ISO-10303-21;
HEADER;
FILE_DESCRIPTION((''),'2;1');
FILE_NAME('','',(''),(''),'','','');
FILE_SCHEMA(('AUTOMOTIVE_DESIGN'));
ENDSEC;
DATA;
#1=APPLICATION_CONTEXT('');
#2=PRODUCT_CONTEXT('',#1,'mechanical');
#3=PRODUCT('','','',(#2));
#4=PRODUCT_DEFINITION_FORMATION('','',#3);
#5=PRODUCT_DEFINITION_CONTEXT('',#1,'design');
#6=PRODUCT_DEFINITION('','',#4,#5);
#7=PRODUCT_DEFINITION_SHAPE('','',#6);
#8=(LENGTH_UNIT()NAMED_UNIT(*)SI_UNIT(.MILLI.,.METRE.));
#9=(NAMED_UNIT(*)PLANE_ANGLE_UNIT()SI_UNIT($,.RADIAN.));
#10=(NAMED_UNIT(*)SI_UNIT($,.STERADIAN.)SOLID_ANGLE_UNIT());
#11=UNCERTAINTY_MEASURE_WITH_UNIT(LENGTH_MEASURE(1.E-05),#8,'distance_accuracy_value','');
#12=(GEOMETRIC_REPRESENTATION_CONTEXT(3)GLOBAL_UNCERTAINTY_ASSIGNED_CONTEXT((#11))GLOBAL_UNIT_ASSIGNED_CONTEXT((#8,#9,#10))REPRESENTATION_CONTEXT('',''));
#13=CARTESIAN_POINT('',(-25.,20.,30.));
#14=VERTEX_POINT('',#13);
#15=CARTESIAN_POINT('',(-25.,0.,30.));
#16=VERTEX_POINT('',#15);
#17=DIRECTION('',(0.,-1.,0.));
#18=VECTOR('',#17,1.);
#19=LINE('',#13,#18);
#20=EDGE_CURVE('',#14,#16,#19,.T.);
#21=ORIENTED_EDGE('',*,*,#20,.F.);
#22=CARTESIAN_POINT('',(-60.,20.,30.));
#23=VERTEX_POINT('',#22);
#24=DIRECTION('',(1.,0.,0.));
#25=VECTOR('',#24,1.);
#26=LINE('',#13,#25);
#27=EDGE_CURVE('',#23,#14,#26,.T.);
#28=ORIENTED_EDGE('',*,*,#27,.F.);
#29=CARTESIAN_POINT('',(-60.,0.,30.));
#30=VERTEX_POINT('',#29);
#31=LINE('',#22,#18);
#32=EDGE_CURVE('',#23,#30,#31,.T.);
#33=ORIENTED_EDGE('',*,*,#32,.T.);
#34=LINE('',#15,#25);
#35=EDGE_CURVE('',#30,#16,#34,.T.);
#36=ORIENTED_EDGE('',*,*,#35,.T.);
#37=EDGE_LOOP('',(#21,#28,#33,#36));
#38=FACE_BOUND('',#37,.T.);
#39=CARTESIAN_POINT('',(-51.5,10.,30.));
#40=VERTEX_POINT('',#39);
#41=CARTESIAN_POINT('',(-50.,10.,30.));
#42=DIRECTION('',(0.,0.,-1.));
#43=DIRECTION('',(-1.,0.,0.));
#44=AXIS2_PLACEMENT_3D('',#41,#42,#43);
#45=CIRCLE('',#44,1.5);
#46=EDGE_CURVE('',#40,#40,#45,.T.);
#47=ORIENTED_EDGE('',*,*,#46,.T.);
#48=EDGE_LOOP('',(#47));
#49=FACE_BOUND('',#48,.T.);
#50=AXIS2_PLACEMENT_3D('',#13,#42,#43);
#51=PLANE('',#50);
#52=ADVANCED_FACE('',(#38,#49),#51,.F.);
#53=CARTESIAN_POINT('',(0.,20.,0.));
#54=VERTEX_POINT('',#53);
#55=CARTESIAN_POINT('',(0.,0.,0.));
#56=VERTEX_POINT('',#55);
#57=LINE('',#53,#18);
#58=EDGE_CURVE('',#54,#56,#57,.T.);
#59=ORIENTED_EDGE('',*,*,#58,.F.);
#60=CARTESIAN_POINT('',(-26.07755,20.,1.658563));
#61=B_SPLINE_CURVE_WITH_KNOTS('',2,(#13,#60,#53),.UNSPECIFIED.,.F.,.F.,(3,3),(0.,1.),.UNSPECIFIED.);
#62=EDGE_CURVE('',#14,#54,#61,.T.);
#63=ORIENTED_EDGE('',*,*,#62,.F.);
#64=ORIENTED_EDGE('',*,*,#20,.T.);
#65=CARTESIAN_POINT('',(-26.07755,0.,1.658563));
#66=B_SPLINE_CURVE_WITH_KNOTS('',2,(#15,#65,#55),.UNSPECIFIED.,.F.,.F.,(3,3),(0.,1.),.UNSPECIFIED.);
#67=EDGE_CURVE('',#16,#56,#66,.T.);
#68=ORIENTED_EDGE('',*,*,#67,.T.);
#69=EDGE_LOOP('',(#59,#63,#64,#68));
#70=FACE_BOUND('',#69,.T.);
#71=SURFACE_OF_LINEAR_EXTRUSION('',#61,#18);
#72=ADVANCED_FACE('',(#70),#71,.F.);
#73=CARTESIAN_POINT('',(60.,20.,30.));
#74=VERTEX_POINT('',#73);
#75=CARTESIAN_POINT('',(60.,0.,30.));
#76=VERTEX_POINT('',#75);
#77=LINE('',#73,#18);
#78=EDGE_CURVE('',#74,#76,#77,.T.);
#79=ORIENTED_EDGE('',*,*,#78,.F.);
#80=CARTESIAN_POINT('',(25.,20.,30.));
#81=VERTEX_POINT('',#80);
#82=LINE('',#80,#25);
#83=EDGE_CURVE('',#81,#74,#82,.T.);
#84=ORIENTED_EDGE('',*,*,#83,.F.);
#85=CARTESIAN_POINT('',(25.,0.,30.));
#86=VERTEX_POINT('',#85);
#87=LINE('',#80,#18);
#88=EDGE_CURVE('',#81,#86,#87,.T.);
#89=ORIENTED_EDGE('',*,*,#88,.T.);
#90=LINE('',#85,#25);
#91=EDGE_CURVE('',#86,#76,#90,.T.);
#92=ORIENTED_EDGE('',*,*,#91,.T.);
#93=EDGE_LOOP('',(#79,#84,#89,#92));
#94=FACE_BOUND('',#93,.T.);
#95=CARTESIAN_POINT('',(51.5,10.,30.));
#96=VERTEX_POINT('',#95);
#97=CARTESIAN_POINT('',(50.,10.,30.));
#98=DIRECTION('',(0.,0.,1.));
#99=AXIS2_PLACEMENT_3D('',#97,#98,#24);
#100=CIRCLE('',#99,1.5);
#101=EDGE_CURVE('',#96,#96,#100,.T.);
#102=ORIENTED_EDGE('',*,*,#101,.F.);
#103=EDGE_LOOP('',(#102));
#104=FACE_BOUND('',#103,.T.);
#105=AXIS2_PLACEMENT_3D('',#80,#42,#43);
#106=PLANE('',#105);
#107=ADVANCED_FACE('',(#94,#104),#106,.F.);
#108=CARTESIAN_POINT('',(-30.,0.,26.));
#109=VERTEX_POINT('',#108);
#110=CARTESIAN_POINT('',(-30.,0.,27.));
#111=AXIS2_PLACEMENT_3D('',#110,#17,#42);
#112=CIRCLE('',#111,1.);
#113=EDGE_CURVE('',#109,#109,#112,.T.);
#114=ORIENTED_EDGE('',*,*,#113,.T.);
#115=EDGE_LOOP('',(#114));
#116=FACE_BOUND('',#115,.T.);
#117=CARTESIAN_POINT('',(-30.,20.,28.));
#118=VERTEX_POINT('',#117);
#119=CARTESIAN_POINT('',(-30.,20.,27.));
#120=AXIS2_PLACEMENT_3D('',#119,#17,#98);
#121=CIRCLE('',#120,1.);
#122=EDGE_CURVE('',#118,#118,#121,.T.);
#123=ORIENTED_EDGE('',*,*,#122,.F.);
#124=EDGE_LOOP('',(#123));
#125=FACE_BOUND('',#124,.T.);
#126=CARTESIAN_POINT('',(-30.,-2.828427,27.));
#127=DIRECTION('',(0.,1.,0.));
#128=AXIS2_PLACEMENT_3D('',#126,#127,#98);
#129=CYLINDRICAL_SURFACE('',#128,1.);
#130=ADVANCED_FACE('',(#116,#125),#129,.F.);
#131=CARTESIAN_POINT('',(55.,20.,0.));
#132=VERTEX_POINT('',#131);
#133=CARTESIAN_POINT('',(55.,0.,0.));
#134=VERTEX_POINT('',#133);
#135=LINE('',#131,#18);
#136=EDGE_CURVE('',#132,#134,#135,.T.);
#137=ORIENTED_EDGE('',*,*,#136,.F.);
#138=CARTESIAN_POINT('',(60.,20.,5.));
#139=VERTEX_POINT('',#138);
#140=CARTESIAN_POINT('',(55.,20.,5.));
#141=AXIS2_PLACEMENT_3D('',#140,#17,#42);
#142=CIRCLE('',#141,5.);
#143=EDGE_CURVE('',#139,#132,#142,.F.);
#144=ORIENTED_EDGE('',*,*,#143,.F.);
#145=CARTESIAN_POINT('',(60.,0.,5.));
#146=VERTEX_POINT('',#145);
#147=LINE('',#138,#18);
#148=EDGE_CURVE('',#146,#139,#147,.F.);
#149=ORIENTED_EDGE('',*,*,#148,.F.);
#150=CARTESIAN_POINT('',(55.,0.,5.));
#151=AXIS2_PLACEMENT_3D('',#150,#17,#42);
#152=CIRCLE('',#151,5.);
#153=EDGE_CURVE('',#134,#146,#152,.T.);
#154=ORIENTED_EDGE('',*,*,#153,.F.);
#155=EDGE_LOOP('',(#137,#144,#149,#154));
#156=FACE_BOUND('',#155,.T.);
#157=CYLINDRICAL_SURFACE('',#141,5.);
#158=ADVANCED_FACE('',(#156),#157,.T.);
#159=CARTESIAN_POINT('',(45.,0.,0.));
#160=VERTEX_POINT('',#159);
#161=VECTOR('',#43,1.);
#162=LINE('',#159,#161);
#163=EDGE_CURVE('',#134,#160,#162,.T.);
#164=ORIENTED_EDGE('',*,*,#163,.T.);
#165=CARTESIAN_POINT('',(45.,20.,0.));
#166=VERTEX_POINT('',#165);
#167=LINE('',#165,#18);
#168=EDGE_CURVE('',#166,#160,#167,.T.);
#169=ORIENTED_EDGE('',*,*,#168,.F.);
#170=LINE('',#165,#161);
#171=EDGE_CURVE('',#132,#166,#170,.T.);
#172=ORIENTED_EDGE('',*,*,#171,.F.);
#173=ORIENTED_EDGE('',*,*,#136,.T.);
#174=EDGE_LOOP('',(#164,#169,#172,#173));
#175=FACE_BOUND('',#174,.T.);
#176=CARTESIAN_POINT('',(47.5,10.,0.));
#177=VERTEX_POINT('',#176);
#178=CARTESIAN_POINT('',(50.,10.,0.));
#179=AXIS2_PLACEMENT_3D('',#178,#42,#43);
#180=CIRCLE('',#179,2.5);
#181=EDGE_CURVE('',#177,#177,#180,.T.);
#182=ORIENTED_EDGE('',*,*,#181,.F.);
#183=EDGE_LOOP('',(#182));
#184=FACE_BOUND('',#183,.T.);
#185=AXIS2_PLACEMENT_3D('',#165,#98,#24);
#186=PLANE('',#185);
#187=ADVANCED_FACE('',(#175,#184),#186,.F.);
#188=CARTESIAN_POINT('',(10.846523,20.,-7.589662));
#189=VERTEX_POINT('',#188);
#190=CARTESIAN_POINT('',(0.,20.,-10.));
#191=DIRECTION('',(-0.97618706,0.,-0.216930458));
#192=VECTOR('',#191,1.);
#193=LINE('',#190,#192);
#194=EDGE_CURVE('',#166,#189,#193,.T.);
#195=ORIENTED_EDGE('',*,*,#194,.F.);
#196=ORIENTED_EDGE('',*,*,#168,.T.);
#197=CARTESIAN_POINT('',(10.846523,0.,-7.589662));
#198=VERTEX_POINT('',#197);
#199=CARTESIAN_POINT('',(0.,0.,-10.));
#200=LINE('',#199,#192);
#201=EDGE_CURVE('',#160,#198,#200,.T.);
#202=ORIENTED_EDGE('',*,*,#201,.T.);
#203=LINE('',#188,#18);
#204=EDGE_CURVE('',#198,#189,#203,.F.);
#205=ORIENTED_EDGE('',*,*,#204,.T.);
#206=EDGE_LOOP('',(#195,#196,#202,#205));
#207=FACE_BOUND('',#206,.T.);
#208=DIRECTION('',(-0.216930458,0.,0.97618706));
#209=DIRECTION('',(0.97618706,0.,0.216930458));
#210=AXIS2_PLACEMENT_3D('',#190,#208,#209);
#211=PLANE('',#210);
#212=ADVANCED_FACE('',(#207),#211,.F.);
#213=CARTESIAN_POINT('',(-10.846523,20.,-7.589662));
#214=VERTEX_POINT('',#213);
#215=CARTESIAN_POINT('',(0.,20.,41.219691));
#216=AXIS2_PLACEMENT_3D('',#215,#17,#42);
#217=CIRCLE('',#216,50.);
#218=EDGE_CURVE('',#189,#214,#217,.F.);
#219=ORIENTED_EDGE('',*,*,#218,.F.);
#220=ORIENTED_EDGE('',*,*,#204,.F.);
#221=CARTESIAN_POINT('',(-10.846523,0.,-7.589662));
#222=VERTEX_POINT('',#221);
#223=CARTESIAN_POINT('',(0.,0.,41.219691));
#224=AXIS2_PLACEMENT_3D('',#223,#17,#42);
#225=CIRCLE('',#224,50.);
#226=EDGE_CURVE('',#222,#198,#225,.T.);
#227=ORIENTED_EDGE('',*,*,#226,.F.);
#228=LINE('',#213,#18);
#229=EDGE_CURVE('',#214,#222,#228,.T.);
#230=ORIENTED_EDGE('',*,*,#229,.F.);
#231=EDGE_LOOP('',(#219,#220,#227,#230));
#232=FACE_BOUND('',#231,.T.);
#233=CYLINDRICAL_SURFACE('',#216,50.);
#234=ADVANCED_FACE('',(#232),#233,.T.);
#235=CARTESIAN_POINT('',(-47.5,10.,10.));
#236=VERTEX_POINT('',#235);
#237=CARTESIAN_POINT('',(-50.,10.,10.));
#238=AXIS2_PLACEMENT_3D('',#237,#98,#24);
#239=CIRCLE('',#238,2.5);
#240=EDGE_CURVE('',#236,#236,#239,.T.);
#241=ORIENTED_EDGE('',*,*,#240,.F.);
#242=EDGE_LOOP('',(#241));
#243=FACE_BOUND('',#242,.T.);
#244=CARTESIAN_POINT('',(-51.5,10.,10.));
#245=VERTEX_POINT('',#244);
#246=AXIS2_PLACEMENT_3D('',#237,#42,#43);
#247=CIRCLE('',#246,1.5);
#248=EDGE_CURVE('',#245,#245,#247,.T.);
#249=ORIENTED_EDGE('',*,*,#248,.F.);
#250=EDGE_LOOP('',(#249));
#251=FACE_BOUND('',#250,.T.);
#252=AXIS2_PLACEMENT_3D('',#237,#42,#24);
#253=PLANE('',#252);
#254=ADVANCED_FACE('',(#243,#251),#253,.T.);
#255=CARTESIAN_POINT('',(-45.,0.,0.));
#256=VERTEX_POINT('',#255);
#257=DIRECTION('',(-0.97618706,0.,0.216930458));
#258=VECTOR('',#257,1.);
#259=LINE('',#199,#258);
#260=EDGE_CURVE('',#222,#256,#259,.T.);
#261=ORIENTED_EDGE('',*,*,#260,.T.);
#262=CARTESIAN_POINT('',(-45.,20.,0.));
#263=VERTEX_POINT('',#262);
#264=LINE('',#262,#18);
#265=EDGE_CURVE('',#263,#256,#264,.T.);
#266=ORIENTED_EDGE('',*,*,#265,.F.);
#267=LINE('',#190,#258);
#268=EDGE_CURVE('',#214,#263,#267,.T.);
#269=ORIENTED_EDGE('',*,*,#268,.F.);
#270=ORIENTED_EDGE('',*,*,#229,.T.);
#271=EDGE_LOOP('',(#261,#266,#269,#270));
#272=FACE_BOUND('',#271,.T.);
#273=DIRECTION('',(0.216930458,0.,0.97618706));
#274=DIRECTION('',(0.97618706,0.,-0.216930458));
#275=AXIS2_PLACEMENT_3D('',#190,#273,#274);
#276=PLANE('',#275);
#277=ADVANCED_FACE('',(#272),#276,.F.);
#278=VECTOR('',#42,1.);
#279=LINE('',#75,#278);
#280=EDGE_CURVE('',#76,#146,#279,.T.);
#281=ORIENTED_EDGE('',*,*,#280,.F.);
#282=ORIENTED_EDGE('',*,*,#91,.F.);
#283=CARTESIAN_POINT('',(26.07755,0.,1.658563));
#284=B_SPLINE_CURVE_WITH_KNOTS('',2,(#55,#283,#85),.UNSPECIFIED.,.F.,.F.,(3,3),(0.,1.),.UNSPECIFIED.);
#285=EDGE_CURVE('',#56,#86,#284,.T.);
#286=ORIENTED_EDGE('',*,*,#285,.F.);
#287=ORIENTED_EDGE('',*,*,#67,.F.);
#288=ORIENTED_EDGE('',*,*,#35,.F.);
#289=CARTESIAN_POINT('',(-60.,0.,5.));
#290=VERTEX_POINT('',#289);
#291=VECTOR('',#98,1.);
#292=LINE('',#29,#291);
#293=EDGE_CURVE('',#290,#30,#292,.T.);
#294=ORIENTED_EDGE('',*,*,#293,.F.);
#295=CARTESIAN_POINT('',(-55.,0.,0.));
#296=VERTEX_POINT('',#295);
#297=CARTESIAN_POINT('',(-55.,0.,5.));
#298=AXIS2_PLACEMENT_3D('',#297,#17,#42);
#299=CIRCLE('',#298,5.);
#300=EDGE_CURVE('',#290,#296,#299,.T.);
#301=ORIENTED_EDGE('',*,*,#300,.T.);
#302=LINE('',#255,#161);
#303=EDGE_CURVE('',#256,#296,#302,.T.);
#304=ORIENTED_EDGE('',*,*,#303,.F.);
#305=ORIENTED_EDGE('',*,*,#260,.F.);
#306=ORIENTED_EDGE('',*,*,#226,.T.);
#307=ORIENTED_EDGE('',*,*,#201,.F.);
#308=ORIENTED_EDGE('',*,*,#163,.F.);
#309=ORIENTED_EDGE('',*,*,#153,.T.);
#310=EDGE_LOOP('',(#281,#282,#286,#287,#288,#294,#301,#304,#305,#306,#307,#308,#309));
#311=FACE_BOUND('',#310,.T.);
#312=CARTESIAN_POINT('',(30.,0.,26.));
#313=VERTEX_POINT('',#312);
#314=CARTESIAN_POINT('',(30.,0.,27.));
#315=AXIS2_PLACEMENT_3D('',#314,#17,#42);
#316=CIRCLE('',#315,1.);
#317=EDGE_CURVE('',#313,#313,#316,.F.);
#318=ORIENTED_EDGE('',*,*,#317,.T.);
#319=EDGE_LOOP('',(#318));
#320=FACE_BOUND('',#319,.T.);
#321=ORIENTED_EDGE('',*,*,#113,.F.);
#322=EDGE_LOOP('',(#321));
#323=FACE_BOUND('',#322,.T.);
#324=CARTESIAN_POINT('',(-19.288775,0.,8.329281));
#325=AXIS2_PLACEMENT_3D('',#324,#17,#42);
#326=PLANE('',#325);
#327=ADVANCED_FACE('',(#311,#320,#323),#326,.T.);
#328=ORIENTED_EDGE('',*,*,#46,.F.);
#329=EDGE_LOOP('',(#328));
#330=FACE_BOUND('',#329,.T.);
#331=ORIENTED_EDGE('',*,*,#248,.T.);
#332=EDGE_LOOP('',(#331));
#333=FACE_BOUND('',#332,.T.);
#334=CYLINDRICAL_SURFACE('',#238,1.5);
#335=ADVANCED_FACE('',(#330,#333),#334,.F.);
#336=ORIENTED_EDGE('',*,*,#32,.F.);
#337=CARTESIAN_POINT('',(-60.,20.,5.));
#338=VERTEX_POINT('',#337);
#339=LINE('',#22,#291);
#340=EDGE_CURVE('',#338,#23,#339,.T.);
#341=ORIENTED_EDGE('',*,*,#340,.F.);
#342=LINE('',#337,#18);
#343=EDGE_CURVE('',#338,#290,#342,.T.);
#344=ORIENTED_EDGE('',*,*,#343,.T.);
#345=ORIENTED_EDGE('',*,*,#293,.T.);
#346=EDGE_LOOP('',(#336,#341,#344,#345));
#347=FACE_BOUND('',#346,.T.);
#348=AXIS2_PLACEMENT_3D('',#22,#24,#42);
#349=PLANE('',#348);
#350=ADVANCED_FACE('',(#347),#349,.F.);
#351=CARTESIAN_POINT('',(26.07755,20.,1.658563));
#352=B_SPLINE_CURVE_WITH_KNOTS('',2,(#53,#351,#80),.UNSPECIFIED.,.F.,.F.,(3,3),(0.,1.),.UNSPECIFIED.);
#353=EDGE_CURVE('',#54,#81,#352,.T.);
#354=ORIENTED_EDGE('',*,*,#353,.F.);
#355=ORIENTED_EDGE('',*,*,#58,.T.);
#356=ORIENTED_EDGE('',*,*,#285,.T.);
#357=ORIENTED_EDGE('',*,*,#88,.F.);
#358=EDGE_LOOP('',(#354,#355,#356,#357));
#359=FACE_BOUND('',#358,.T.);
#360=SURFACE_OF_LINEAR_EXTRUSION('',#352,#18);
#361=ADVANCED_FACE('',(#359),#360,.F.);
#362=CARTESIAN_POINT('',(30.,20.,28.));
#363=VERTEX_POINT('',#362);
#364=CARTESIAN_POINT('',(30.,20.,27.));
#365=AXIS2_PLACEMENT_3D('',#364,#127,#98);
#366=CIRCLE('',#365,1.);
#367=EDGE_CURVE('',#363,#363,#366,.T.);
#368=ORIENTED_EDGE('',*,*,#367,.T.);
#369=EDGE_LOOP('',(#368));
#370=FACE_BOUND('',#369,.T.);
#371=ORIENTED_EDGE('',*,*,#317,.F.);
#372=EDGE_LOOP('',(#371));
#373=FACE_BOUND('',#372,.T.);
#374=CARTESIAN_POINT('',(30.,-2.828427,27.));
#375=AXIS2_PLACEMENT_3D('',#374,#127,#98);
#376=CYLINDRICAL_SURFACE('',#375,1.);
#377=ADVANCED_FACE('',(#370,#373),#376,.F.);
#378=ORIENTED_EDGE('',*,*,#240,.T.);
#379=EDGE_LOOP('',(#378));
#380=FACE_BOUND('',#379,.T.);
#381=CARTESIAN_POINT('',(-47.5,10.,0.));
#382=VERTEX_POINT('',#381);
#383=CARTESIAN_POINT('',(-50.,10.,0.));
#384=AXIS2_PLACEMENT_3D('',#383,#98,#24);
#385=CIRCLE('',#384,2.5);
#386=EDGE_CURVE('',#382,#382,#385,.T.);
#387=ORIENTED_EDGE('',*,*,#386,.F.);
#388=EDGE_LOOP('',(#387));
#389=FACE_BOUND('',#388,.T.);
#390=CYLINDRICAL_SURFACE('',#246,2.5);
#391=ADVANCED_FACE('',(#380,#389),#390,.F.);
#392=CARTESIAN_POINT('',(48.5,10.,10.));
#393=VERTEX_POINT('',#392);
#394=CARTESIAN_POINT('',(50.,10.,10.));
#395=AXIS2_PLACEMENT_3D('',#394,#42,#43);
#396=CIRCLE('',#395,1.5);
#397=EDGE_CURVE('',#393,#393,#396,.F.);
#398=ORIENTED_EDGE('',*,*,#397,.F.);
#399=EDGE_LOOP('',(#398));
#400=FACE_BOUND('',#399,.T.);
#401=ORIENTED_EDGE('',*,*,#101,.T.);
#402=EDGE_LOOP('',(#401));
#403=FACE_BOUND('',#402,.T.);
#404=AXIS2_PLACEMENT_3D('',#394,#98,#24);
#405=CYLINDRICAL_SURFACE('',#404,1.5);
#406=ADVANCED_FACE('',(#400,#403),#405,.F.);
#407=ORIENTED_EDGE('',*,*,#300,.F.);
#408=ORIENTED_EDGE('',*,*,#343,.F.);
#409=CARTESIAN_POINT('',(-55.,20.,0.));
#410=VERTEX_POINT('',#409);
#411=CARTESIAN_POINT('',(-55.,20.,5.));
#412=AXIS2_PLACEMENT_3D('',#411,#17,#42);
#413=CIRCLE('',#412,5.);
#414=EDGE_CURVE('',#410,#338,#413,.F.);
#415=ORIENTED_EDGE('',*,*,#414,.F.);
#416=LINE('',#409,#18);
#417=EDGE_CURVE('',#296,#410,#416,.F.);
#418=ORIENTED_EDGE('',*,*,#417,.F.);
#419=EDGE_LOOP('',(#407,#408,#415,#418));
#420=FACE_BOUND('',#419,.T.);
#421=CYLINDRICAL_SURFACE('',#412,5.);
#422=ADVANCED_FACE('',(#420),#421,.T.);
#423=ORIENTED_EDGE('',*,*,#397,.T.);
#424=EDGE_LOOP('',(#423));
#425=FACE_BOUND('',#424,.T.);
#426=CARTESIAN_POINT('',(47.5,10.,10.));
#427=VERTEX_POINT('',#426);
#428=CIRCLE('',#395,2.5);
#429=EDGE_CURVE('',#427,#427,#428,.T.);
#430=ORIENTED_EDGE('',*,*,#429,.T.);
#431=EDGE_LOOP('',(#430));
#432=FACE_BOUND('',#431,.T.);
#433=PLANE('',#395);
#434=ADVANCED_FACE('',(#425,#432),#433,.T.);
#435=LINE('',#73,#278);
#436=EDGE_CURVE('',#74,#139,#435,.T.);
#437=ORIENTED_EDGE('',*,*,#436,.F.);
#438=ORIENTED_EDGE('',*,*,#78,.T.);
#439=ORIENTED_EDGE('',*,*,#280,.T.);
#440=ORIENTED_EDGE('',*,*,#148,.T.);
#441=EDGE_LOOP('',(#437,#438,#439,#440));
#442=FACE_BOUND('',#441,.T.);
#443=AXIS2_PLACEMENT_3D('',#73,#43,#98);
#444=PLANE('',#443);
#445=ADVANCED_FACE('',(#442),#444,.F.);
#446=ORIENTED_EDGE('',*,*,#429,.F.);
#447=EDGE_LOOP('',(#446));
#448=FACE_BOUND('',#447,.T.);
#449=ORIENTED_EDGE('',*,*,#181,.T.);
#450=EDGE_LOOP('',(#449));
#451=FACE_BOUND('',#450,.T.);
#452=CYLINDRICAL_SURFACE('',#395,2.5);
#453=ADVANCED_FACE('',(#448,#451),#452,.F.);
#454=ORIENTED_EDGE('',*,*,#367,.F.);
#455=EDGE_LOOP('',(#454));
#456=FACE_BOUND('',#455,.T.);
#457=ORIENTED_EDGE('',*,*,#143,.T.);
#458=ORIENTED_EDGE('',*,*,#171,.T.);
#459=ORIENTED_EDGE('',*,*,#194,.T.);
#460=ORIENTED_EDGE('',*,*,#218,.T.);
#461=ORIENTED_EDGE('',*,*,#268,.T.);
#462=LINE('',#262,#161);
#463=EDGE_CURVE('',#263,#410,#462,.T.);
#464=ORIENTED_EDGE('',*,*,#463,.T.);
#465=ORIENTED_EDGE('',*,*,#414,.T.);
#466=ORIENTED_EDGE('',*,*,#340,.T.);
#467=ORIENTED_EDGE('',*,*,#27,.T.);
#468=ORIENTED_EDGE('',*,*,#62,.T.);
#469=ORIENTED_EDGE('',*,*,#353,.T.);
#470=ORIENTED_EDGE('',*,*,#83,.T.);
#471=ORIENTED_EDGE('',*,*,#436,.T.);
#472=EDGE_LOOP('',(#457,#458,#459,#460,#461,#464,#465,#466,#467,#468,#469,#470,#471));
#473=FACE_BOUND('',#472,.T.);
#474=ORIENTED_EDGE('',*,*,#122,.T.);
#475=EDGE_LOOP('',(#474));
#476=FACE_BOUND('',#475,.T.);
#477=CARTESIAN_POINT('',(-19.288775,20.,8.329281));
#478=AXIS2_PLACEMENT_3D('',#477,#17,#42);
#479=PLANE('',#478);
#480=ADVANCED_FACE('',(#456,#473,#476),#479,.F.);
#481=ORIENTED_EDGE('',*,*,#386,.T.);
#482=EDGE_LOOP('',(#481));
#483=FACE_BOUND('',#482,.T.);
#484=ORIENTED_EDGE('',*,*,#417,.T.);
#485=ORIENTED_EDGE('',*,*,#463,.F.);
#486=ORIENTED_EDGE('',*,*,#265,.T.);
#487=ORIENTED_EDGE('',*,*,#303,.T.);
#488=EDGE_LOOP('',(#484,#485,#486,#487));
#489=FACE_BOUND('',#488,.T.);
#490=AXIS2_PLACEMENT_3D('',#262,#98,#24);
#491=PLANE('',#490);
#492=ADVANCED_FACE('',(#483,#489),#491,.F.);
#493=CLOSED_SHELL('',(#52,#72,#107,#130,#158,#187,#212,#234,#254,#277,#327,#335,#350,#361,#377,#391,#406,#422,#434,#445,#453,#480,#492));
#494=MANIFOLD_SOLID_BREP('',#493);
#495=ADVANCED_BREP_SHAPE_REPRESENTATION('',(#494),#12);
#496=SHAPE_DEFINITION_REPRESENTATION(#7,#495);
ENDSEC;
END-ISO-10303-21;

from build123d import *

# Parameters (mm, degrees)
BOSS_EXTRUDE1_DEPTH = 20
FILLET1_R           = 50
FILLET2_R           = 5
SKETCH3_R           = 1.5
CUT_EXTRUDE1_DEPTH  = 20
SKETCH4_R           = 2.5
CUT_EXTRUDE2_DEPTH  = 10
SKETCH5_R           = 1
CUT_EXTRUDE3_DEPTH  = 20


with BuildPart() as part:
    # Sketch2 → Boss-Extrude1 (new body)
    with BuildSketch(Plane(origin=(0, 0, 0), x_dir=(1, 0, 0), z_dir=(0, 1, 0))):
        with BuildLine():
            Line((25, -30), (60, -30))
            Line((60, -30), (60, 0))
            Line((60, 0), (45, 0))
            Line((45, 0), (0, 10))
            Line((0, 10), (-45, 0))
            Line((-45, 0), (-60, 0))
            Line((-60, 0), (-60, -30))
            Line((-60, -30), (-25, -30))
            add(Edge.make_bspline(
                [(0, 0), (-26.0775505, -1.658562804), (-25, -30)],
                knots=[0, 0, 0, 1, 1, 1], degree=2))
            add(Edge.make_bspline(
                [(0, 0), (26.0775505, -1.658562804), (25, -30)],
                knots=[0, 0, 0, 1, 1, 1], degree=2))
        make_face()
    extrude(amount=BOSS_EXTRUDE1_DEPTH)

    # Fillet1
    fillet1_edges = [part.edges().sort_by_distance(p)[0] for p in [
        (0, 10, -10),
    ]]
    fillet(fillet1_edges, radius=FILLET1_R)

    # Fillet2
    fillet2_edges = [part.edges().sort_by_distance(p)[0] for p in [
        (-60, 10, 0),
        (60, 10, 0),
    ]]
    fillet(fillet2_edges, radius=FILLET2_R)

    # Sketch3 → Cut-Extrude1 (cut)
    with BuildSketch(Plane.XY.offset(30)):
        with Locations((50, 10)):
            Circle(SKETCH3_R)
    cut_extrude1 = extrude(amount=-CUT_EXTRUDE1_DEPTH, mode=Mode.SUBTRACT)

    # Sketch4 → Cut-Extrude2 (cut)
    with BuildSketch(Plane(origin=(0, 0, 0), x_dir=(-1, 0, 0), z_dir=(0, 0, -1))):
        with Locations((-50, 10)):
            Circle(SKETCH4_R)
    cut_extrude2 = extrude(amount=-CUT_EXTRUDE2_DEPTH, mode=Mode.SUBTRACT)

    # Mirror1: Cut-Extrude1, Cut-Extrude2 across plane
    add(cut_extrude1.mirror(Plane(origin=(0, 0, 0), x_dir=(0, 0, 1), z_dir=(1, 0, 0))), mode=Mode.SUBTRACT)
    add(cut_extrude2.mirror(Plane(origin=(0, 0, 0), x_dir=(0, 0, 1), z_dir=(1, 0, 0))), mode=Mode.SUBTRACT)

    # Sketch5 → Cut-Extrude3 (cut)
    with BuildSketch(Plane(origin=(0, 20, 0), x_dir=(1, 0, 0), z_dir=(0, 1, 0))):
        with Locations(Location((30, -27, 0), (0, 0, 270))):
            Circle(SKETCH5_R)
    cut_extrude3 = extrude(amount=-CUT_EXTRUDE3_DEPTH, mode=Mode.SUBTRACT)

    # Mirror2: Cut-Extrude3 across plane
    add(cut_extrude3.mirror(Plane(origin=(0, 0, 0), x_dir=(0, 0, 1), z_dir=(1, 0, 0))), mode=Mode.SUBTRACT)


solid = part.part
